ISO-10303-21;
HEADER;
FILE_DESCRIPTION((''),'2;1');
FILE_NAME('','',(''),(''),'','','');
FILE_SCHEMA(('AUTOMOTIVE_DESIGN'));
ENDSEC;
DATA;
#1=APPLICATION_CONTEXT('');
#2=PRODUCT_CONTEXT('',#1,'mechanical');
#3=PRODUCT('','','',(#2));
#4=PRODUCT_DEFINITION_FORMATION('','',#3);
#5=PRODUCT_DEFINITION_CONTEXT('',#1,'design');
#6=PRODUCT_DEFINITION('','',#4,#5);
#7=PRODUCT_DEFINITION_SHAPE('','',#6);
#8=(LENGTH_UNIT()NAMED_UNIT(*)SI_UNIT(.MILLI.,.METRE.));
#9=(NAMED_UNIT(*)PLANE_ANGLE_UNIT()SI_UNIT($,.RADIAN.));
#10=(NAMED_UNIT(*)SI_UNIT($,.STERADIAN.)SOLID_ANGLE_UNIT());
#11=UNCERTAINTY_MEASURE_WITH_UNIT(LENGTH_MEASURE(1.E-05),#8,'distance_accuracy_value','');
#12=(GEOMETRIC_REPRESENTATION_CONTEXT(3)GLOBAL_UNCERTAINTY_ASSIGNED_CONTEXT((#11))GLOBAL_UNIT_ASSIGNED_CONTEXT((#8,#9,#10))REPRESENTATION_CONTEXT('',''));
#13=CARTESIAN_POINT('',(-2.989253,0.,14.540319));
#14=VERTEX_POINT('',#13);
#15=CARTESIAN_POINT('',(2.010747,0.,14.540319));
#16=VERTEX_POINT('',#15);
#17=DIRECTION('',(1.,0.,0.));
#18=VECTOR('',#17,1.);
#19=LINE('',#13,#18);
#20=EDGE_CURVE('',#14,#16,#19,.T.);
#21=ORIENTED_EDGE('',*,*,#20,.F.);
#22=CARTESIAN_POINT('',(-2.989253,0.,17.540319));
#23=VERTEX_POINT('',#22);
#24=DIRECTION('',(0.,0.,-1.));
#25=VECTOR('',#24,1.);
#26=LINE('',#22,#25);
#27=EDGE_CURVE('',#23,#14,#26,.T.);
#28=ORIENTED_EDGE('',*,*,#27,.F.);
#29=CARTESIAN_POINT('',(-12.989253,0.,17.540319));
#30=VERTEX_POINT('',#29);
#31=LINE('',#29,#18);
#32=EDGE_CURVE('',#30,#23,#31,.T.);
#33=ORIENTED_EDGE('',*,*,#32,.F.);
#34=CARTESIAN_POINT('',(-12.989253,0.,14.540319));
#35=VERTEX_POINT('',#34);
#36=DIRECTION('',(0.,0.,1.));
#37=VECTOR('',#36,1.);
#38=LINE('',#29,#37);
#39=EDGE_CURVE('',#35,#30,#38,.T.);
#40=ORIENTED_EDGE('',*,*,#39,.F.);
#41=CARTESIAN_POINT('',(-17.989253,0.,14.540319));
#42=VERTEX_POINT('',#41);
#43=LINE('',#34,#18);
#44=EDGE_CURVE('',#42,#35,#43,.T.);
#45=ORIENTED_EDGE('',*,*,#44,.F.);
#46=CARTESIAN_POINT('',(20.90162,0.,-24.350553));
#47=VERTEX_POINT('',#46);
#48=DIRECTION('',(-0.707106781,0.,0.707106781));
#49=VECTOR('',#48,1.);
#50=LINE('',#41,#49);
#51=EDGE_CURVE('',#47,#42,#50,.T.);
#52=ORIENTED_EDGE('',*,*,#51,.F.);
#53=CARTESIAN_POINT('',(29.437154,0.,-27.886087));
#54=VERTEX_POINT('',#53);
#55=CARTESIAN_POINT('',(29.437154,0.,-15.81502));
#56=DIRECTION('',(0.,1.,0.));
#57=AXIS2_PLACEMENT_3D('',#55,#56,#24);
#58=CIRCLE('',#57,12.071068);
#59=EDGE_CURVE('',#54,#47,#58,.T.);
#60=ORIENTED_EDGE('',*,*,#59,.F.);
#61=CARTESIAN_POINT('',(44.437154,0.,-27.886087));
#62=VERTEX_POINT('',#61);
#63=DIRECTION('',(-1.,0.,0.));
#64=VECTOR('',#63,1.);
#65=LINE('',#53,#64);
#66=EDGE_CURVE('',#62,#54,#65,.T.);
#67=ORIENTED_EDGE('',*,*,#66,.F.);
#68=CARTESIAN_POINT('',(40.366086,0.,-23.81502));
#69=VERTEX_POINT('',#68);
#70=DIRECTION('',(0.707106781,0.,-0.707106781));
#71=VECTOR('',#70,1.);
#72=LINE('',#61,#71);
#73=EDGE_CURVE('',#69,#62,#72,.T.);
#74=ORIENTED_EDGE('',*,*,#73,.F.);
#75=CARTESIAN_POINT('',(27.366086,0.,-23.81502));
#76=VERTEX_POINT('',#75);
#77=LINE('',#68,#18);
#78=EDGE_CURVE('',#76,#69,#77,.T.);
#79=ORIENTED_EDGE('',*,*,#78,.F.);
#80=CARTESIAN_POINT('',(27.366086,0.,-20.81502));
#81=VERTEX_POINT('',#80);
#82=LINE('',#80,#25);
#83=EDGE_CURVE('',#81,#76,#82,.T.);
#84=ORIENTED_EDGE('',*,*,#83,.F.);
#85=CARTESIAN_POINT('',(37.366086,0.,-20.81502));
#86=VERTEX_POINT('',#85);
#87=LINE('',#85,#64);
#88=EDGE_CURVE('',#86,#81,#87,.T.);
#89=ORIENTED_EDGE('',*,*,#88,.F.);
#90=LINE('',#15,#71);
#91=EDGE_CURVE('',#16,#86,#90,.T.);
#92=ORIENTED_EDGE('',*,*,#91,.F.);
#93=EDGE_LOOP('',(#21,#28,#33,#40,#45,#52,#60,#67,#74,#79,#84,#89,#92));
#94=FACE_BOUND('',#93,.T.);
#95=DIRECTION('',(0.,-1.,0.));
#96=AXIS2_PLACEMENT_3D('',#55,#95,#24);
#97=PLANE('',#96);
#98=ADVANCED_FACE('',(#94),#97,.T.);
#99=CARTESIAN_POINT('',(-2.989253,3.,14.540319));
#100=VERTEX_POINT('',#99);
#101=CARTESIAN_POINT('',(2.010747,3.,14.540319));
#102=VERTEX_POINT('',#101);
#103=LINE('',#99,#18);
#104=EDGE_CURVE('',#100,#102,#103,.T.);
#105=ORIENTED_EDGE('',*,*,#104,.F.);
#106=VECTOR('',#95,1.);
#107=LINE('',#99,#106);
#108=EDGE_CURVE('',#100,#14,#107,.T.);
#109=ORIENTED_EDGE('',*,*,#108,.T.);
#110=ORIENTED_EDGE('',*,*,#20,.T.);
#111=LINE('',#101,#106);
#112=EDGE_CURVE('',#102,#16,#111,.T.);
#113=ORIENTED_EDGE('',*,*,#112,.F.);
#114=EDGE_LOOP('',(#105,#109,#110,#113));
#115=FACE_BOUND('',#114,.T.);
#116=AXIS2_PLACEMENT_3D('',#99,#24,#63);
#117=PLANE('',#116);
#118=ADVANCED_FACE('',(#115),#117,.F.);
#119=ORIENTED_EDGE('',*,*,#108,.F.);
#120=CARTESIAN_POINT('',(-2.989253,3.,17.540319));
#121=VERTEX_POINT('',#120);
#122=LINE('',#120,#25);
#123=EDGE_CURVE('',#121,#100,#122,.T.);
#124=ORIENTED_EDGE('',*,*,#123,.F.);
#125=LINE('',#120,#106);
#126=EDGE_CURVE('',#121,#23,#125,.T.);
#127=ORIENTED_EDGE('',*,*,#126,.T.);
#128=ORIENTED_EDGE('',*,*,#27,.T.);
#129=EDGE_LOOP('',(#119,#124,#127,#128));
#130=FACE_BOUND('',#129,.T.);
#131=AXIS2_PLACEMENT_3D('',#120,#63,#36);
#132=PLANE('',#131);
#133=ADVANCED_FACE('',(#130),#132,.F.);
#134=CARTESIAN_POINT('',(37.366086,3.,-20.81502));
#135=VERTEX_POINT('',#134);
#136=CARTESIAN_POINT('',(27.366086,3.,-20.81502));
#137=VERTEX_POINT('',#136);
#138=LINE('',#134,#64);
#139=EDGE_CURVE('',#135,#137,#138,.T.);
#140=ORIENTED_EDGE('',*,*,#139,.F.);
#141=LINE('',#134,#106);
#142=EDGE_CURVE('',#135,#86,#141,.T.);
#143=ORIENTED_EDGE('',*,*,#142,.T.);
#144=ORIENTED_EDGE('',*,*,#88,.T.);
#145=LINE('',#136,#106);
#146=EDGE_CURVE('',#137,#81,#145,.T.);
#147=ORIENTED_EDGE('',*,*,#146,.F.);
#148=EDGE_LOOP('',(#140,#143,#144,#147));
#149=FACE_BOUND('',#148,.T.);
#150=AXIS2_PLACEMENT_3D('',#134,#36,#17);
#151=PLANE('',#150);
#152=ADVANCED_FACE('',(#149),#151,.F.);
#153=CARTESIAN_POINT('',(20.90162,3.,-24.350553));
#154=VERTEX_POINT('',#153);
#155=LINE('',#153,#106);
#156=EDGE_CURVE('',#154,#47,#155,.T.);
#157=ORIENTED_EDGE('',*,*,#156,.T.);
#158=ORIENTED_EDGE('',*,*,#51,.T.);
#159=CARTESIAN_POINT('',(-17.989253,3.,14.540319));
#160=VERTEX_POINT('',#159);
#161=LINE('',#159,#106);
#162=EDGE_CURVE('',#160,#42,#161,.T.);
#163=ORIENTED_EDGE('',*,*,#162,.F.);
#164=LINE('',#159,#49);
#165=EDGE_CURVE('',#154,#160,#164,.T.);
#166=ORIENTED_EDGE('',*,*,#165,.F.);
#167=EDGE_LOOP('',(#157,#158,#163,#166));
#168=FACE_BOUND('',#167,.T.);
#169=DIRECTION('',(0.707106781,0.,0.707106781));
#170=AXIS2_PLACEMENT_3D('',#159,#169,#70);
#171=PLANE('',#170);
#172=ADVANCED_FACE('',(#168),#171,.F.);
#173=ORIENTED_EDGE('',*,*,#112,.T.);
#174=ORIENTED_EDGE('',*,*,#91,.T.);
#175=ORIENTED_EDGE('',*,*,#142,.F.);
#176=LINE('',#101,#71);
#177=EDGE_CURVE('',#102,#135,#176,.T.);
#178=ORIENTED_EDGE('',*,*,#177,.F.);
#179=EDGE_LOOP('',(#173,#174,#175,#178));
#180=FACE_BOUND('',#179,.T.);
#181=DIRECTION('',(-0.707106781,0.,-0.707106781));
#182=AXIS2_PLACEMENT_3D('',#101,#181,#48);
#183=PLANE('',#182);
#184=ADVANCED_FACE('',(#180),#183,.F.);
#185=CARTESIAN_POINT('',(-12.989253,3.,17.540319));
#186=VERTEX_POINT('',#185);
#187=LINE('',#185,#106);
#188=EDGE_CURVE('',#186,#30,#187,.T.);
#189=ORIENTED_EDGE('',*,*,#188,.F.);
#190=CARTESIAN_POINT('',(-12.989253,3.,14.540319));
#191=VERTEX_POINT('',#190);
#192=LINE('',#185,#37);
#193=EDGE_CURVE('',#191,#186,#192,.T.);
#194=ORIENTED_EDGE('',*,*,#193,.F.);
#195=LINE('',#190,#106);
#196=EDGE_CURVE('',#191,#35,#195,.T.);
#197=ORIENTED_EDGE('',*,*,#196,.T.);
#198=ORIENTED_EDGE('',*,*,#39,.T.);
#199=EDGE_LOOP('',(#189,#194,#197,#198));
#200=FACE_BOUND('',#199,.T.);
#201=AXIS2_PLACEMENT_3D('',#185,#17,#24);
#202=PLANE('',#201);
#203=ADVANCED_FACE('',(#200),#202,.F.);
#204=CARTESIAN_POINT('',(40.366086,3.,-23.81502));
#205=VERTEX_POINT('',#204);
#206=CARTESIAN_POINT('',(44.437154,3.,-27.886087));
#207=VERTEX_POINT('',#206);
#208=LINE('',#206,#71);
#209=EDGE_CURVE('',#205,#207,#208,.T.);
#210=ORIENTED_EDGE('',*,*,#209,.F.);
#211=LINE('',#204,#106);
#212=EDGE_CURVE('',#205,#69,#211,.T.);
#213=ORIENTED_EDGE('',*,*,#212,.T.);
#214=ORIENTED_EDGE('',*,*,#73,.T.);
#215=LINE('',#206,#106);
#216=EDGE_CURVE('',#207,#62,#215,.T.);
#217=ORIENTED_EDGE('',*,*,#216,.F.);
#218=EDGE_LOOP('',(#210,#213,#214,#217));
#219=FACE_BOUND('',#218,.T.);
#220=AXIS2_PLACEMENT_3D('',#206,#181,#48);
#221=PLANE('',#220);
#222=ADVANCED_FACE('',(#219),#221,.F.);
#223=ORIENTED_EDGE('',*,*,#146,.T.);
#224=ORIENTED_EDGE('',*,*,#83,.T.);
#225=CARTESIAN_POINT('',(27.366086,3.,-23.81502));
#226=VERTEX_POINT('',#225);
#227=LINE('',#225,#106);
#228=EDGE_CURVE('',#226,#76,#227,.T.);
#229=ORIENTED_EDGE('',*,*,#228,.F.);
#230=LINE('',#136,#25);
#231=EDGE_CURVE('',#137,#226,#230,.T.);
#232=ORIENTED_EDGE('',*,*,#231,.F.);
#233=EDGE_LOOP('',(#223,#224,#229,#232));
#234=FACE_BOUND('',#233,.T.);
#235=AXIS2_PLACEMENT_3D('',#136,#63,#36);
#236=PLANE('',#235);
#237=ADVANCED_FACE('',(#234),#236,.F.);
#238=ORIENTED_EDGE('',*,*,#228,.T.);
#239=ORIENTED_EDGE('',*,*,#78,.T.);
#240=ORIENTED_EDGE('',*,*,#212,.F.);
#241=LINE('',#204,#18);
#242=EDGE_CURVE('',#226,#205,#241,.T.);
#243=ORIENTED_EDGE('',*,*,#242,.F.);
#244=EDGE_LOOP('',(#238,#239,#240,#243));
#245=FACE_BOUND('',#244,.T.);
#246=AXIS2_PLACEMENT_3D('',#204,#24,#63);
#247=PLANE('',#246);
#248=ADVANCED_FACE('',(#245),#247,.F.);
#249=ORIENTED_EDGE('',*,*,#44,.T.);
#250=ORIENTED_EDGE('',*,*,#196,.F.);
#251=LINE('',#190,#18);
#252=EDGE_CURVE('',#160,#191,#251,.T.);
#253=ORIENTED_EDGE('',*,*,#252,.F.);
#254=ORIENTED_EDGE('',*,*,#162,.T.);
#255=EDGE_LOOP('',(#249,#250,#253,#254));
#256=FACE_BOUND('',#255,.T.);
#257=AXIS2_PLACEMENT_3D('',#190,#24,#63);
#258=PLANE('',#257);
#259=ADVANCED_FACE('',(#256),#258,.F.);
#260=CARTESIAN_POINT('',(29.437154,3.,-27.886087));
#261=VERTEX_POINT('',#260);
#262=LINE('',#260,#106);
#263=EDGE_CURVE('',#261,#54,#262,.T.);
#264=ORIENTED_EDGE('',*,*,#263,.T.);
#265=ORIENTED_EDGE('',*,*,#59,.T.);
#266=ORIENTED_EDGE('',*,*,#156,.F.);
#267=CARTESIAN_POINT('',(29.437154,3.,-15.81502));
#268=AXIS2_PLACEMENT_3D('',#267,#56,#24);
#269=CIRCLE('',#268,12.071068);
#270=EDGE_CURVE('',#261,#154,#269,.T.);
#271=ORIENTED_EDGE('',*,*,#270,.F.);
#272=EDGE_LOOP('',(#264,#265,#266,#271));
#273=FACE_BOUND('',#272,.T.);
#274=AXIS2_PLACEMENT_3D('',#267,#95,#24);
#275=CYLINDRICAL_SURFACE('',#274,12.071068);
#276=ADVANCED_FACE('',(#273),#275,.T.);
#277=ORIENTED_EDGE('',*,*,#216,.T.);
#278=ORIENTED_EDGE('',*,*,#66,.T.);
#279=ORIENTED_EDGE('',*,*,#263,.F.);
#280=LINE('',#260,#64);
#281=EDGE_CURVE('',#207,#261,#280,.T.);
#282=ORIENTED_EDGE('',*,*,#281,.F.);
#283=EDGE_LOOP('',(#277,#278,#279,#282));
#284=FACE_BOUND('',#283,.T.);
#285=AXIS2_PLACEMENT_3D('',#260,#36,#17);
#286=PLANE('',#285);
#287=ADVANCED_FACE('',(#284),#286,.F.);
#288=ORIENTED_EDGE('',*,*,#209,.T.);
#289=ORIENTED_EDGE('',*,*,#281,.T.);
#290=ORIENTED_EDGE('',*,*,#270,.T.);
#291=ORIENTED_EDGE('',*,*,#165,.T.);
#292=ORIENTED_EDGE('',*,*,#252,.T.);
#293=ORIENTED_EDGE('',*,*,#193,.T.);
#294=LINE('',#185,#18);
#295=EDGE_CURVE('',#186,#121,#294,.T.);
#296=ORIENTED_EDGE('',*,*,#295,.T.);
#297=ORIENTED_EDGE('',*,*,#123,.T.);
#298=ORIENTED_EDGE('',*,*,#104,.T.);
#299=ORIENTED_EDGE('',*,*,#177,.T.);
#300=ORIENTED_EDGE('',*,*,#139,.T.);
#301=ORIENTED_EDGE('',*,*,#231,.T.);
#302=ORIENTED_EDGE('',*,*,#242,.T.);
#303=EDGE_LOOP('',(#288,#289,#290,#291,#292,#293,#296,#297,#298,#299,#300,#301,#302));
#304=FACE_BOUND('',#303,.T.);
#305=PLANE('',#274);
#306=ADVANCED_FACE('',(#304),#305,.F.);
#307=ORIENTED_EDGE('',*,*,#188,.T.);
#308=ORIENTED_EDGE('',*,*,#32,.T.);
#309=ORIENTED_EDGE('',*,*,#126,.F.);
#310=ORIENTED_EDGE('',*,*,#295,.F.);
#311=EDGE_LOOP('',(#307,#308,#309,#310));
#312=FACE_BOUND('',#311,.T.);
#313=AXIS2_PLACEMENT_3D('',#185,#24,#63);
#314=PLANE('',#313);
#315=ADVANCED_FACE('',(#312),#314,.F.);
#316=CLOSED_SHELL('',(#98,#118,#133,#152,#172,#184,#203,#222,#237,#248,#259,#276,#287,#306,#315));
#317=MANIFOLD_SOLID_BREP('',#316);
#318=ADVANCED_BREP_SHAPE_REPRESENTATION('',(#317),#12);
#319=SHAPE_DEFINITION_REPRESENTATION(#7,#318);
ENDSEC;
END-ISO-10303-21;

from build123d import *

# Parameters (mm, degrees)
RESSALTO_EXTRUS_O1_DEPTH = 3


with BuildPart() as part:
    # Esboço1 → Ressalto-extrusão1 (new body)
    with BuildSketch(Plane(origin=(0, 0, 0), x_dir=(1, 0, 0), z_dir=(0, 1, 0))):
        with BuildLine():
            Line((-12.989253032, -17.540319489), (-2.989253032, -17.540319489))
            Line((-2.989253032, -17.540319489), (-2.989253032, -14.540319489))
            Line((-2.989253032, -14.540319489), (2.010746968, -14.540319489))
            Line((2.010746968, -14.540319489), (37.366086027, 20.81501957))
            Line((37.366086027, 20.81501957), (27.366086027, 20.81501957))
            Line((27.366086027, 20.81501957), (27.366086027, 23.81501957))
            Line((27.366086027, 23.81501957), (40.366086027, 23.81501957))
            Line((40.366086027, 23.81501957), (44.437153839, 27.886087382))
            Line((44.437153839, 27.886087382), (29.437153839, 27.886087382))
            ThreePointArc((29.437153839, 27.886087382), (24.817756177, 26.967232057), (20.901619933, 24.350553476))
            Line((20.901619933, 24.350553476), (-17.989253032, -14.540319489))
            Line((-17.989253032, -14.540319489), (-12.989253032, -14.540319489))
            Line((-12.989253032, -14.540319489), (-12.989253032, -17.540319489))
        make_face()
    extrude(amount=RESSALTO_EXTRUS_O1_DEPTH)


solid = part.part
